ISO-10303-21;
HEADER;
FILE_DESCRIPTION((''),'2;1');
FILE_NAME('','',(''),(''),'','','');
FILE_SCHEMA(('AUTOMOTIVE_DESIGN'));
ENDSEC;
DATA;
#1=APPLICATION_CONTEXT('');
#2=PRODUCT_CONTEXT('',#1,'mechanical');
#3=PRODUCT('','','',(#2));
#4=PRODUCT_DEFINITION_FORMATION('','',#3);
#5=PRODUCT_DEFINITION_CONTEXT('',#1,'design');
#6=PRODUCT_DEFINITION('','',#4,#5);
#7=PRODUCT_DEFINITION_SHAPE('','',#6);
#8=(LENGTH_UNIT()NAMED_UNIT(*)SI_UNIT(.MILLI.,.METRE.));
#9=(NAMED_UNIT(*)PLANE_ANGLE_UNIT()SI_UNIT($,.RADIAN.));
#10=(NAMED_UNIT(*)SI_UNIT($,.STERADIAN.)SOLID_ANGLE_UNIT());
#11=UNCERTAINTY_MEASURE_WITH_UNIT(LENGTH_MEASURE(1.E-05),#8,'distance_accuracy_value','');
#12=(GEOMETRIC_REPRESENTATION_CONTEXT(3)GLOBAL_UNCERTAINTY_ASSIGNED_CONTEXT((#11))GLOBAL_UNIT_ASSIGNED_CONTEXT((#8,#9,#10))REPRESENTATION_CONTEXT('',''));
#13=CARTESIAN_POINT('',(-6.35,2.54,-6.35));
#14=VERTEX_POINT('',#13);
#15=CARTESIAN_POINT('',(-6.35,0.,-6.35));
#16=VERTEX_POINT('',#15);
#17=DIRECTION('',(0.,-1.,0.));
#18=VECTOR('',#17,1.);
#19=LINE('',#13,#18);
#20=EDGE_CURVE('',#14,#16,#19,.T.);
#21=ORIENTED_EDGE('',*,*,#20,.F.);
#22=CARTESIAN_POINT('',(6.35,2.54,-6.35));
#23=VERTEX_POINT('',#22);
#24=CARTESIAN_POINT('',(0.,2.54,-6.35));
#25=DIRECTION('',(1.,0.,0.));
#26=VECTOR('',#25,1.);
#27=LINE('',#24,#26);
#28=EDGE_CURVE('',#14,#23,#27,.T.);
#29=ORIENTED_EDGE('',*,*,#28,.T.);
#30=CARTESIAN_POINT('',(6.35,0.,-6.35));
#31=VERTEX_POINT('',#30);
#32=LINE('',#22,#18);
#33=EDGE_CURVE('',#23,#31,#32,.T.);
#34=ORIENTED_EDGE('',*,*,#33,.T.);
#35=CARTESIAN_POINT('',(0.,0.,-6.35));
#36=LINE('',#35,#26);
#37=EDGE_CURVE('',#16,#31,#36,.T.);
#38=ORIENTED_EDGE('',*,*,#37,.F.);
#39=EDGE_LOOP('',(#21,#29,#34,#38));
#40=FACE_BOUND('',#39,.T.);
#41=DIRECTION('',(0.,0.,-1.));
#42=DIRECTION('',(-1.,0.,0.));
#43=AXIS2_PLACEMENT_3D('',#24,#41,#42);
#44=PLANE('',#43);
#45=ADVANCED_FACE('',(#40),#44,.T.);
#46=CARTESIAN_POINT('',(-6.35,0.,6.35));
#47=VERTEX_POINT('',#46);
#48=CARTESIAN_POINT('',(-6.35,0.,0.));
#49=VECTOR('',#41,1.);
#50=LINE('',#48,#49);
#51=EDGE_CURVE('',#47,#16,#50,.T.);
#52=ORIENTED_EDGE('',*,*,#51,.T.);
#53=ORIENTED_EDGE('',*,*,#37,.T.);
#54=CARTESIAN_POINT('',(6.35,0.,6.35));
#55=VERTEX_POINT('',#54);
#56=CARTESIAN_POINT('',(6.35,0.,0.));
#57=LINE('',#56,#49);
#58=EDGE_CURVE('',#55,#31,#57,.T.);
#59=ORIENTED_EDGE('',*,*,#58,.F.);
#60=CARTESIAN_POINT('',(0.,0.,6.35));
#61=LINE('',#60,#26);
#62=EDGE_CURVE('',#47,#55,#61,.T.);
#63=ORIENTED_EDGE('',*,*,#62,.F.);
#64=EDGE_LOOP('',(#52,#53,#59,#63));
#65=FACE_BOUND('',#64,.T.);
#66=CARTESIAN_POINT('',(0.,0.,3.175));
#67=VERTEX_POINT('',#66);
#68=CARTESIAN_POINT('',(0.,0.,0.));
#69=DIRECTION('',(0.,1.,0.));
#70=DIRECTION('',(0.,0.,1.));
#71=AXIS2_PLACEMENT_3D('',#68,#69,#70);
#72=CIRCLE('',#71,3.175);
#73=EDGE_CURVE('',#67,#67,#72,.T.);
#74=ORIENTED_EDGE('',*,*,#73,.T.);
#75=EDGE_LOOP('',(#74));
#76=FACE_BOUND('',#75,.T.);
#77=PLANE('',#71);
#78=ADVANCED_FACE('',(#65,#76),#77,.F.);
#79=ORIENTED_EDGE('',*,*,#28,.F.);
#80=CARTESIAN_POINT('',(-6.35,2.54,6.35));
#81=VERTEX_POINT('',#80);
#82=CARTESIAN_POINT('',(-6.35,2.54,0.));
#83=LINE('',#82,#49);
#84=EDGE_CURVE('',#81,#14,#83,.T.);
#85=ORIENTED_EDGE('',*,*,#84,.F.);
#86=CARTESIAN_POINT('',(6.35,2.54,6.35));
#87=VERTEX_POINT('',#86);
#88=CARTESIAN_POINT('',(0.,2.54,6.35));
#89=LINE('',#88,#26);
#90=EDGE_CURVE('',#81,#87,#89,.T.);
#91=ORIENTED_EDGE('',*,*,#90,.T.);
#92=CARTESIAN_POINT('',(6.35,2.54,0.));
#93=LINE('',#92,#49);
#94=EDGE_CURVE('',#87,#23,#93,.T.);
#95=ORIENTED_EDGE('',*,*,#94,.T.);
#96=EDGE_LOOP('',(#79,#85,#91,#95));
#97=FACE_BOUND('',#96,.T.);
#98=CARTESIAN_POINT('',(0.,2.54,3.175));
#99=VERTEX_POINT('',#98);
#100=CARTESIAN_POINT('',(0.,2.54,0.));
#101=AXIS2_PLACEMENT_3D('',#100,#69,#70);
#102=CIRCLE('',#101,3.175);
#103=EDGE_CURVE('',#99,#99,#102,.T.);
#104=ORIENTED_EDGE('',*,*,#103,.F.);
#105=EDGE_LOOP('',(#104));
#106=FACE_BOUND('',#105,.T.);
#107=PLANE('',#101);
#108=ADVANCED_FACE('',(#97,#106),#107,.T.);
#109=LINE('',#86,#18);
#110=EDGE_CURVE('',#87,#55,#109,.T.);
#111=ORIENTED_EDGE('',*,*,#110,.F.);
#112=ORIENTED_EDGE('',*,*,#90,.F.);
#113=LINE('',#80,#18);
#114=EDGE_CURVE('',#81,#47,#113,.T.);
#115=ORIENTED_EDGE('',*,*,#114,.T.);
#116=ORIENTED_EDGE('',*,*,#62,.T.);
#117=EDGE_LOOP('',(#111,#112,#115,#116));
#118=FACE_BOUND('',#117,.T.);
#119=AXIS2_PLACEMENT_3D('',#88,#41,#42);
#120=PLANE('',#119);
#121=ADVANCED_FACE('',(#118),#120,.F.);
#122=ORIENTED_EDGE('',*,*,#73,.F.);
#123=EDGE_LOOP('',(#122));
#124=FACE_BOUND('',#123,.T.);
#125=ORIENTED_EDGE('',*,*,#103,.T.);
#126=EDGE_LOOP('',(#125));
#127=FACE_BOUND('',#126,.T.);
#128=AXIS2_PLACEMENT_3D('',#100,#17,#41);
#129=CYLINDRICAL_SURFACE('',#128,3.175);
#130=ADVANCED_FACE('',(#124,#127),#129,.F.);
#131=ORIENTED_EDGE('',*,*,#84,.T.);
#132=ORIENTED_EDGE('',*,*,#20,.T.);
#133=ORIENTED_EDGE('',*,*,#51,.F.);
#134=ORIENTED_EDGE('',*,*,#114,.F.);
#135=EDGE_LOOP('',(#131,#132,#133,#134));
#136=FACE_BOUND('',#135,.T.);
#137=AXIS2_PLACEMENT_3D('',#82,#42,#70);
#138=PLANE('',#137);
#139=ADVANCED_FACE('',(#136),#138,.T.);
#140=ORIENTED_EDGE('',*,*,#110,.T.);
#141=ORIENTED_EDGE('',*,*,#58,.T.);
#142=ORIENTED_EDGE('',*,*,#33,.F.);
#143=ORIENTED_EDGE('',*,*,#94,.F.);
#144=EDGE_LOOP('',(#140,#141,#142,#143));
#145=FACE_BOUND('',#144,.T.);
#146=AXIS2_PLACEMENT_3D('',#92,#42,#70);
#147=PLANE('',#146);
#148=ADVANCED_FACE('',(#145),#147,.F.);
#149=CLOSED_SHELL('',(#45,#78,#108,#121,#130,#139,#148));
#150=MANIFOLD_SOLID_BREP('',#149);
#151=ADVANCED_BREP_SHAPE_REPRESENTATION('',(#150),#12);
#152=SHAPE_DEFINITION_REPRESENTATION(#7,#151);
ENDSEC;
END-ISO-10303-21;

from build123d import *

# Parameters (mm, degrees)
SKETCH1_W           = 12.7
SKETCH1_H           = 12.7
SKETCH1_R           = 3.175
BOSS_EXTRUDE1_DEPTH = 2.54


with BuildPart() as part:
    # Sketch1 → Boss-Extrude1 (new body)
    with BuildSketch(Plane(origin=(0, 0, 0), x_dir=(1, 0, 0), z_dir=(0, 1, 0))):
        Rectangle(SKETCH1_W, SKETCH1_H)
        with Locations(Location((0, 0, 0), (0, 0, 270))):
            Circle(SKETCH1_R, mode=Mode.SUBTRACT)
    extrude(amount=BOSS_EXTRUDE1_DEPTH)


solid = part.part
